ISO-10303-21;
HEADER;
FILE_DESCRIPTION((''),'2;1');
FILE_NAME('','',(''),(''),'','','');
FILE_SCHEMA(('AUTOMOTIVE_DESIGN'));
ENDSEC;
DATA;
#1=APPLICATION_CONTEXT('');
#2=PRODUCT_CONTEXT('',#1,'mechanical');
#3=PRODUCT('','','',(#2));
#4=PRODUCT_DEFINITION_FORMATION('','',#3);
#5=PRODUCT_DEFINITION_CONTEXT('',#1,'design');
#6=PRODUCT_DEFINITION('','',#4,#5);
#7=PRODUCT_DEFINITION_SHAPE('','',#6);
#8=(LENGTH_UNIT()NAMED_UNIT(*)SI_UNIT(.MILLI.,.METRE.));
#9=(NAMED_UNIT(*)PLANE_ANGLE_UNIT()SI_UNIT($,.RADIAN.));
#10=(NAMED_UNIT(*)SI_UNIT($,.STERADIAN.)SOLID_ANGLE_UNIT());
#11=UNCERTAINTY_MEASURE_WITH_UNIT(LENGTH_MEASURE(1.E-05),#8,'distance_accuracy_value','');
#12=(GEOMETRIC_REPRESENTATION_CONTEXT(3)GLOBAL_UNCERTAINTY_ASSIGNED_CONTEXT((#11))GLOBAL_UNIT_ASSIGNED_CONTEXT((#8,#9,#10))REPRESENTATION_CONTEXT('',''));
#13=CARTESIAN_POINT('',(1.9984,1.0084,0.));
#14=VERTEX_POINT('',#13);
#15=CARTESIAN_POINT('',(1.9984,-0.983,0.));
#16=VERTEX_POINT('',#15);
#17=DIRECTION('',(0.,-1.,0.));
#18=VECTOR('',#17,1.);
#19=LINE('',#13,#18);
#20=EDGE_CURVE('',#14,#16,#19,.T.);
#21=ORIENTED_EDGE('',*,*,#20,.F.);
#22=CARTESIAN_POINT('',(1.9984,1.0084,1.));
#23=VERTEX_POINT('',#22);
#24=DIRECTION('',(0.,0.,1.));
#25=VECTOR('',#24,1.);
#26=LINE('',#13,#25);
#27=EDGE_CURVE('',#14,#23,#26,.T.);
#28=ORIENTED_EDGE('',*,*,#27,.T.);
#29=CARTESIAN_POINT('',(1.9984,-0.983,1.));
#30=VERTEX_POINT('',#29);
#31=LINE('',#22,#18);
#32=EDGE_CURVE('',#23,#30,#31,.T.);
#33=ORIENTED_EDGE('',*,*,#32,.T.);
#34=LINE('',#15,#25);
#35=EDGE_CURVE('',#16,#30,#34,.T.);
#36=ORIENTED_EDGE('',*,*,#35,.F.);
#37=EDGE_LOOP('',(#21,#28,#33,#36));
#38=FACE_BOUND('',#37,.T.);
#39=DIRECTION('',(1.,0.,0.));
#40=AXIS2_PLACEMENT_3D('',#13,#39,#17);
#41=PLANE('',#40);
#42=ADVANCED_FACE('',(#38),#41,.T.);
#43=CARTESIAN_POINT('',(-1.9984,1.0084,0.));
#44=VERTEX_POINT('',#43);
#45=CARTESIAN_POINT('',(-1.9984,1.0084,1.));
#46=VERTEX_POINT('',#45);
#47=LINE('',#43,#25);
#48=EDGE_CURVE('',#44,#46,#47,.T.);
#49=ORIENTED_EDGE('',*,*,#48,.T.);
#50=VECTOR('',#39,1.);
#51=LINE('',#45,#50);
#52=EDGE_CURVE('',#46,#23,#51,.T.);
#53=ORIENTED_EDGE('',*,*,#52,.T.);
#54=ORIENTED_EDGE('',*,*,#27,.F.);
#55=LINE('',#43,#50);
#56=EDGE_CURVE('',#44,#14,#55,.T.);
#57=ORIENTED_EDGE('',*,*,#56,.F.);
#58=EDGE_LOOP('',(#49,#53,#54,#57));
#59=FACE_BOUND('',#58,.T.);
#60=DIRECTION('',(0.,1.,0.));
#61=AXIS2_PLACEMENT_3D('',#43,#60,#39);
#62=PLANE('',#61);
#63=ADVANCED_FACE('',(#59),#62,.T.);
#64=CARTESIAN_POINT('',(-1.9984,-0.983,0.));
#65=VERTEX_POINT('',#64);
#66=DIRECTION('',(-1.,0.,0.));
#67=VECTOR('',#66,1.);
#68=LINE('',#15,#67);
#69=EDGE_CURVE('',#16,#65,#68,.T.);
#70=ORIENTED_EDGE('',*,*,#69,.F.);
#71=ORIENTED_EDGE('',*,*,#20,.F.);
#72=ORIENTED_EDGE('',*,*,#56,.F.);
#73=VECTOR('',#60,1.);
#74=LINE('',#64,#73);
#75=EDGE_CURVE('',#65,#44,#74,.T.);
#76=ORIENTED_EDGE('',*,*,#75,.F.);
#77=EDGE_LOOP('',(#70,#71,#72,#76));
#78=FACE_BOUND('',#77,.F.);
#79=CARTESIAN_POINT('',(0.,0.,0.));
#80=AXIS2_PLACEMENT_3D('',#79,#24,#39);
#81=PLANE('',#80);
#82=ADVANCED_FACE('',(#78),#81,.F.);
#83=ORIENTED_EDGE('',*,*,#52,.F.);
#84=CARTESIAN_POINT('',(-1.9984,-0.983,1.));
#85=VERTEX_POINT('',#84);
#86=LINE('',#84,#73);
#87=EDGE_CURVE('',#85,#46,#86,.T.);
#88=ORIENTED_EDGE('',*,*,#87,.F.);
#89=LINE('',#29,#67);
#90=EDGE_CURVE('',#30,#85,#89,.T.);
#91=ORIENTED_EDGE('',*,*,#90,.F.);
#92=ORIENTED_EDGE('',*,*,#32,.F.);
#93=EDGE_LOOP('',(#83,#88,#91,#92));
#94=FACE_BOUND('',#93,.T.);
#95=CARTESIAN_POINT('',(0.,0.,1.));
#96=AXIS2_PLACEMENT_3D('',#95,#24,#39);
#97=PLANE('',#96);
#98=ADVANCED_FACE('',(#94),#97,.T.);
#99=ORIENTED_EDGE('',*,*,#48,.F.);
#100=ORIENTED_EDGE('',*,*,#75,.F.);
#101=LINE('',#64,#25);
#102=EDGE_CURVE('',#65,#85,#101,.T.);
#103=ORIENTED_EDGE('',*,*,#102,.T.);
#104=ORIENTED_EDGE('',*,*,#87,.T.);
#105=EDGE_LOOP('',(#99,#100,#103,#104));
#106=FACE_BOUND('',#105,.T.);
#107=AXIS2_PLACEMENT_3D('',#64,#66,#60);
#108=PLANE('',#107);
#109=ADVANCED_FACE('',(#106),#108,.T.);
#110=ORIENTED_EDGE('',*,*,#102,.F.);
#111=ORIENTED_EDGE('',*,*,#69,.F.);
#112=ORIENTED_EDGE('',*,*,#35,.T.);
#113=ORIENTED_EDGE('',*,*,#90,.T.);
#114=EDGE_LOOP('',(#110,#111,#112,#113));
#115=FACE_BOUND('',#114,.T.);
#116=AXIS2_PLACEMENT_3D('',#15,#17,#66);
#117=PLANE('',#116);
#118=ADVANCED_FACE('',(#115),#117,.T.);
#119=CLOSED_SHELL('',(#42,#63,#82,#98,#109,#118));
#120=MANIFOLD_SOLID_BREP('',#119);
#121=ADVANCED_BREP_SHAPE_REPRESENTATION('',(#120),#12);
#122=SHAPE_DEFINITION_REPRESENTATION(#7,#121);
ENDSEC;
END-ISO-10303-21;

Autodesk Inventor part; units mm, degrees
ref_plane "YZ Plane" through (0, 0, 0) normal (1, 0, 0) x (0, 1, 0)
ref_plane "XZ Plane" through (0, 0, 0) normal (0, 1, 0) x (-1, 0, 0)
ref_plane "XY Plane" through (0, 0, 0) normal (0, 0, 1) x (1, 0, 0)
sketch "M0805, 200_12" plane through (0, 0, 0) normal (0, 0, 1) x (1, 0, 0)
  line L0 (-1.9984, 1.0084) -> (1.9984, 1.0084)
  line L1 (1.9984, 1.0084) -> (1.9984, -0.983)
  line L2 (1.9984, -0.983) -> (-1.9984, -0.983)
  line L3 (-1.9984, -0.983) -> (-1.9984, 1.0084)
extrude "Extrusion1" add sketch "M0805, 200_12" along normal blind 1
properties part number "200"
